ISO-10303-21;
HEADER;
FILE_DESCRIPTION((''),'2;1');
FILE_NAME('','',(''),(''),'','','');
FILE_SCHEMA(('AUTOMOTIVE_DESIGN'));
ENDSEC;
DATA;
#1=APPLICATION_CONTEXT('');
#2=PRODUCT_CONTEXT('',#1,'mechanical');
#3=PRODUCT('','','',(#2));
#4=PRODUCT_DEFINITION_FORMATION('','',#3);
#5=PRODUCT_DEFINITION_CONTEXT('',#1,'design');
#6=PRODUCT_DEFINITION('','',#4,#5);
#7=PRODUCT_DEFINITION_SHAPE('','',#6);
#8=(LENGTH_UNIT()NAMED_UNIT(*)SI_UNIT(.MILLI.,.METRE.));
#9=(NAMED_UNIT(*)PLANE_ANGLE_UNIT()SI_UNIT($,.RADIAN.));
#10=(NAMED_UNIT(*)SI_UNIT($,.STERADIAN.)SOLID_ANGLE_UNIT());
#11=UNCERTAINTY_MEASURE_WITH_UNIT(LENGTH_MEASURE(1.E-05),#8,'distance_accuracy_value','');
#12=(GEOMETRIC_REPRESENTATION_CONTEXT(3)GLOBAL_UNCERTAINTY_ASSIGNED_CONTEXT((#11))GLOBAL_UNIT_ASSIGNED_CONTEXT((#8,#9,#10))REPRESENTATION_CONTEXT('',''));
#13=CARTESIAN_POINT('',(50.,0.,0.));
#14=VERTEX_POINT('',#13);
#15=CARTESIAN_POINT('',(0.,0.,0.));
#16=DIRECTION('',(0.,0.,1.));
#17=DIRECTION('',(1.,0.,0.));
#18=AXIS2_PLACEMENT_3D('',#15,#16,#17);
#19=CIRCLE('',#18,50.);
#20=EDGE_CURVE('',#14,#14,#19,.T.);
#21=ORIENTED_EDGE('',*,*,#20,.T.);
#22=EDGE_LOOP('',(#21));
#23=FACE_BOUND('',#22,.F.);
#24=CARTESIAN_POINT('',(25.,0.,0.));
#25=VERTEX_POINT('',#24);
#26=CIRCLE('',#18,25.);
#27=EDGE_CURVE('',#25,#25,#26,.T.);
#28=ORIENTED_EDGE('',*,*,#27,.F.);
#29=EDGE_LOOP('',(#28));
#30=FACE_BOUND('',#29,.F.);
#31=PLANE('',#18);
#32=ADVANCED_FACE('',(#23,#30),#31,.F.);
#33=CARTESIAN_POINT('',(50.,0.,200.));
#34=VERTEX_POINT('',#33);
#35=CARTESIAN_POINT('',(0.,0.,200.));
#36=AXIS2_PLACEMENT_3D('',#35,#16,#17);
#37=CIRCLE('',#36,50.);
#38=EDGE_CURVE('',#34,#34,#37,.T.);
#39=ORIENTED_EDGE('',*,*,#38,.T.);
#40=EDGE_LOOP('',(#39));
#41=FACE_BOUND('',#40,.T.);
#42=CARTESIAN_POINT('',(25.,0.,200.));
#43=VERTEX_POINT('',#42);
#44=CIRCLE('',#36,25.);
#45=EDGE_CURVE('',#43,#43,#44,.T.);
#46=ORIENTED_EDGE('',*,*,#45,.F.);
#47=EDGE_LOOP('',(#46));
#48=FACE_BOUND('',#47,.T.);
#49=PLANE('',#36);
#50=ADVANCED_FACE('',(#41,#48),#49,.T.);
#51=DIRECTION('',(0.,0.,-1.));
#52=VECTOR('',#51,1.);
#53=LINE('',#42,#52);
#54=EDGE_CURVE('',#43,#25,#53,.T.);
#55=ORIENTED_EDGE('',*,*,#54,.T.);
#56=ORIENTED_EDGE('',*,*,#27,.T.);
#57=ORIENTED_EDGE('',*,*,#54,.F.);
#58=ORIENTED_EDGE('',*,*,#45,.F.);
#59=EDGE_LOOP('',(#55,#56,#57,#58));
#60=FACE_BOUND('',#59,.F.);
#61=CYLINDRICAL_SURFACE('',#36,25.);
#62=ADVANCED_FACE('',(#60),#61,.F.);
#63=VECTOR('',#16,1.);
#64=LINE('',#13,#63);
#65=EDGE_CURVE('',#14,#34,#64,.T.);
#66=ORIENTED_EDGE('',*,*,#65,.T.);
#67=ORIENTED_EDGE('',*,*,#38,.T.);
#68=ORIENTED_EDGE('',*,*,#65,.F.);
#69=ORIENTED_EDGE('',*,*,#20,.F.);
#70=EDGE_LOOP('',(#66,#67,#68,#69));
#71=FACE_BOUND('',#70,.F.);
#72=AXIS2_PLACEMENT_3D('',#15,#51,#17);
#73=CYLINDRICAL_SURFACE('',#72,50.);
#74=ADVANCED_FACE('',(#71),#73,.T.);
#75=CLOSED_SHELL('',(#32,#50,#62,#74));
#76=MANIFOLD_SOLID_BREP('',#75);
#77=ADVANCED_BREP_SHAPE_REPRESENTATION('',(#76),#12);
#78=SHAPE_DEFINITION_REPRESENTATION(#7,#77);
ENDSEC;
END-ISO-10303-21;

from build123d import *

# Parameters (mm, degrees)
SKETCH1_R           = 50
BOSS_EXTRUDE1_DEPTH = 200
SKETCH2_R           = 25
CUT_EXTRUDE1_DEPTH  = 201


with BuildPart() as part:
    # Sketch1 → Boss-Extrude1 (new body)
    with BuildSketch(Plane.XY):
        Circle(SKETCH1_R)
    extrude(amount=BOSS_EXTRUDE1_DEPTH)

    # Sketch2 → Cut-Extrude1 (cut, through all)
    with BuildSketch(Plane.XY.offset(200)):
        Circle(SKETCH2_R)
    extrude(amount=-CUT_EXTRUDE1_DEPTH, mode=Mode.SUBTRACT)


solid = part.part
